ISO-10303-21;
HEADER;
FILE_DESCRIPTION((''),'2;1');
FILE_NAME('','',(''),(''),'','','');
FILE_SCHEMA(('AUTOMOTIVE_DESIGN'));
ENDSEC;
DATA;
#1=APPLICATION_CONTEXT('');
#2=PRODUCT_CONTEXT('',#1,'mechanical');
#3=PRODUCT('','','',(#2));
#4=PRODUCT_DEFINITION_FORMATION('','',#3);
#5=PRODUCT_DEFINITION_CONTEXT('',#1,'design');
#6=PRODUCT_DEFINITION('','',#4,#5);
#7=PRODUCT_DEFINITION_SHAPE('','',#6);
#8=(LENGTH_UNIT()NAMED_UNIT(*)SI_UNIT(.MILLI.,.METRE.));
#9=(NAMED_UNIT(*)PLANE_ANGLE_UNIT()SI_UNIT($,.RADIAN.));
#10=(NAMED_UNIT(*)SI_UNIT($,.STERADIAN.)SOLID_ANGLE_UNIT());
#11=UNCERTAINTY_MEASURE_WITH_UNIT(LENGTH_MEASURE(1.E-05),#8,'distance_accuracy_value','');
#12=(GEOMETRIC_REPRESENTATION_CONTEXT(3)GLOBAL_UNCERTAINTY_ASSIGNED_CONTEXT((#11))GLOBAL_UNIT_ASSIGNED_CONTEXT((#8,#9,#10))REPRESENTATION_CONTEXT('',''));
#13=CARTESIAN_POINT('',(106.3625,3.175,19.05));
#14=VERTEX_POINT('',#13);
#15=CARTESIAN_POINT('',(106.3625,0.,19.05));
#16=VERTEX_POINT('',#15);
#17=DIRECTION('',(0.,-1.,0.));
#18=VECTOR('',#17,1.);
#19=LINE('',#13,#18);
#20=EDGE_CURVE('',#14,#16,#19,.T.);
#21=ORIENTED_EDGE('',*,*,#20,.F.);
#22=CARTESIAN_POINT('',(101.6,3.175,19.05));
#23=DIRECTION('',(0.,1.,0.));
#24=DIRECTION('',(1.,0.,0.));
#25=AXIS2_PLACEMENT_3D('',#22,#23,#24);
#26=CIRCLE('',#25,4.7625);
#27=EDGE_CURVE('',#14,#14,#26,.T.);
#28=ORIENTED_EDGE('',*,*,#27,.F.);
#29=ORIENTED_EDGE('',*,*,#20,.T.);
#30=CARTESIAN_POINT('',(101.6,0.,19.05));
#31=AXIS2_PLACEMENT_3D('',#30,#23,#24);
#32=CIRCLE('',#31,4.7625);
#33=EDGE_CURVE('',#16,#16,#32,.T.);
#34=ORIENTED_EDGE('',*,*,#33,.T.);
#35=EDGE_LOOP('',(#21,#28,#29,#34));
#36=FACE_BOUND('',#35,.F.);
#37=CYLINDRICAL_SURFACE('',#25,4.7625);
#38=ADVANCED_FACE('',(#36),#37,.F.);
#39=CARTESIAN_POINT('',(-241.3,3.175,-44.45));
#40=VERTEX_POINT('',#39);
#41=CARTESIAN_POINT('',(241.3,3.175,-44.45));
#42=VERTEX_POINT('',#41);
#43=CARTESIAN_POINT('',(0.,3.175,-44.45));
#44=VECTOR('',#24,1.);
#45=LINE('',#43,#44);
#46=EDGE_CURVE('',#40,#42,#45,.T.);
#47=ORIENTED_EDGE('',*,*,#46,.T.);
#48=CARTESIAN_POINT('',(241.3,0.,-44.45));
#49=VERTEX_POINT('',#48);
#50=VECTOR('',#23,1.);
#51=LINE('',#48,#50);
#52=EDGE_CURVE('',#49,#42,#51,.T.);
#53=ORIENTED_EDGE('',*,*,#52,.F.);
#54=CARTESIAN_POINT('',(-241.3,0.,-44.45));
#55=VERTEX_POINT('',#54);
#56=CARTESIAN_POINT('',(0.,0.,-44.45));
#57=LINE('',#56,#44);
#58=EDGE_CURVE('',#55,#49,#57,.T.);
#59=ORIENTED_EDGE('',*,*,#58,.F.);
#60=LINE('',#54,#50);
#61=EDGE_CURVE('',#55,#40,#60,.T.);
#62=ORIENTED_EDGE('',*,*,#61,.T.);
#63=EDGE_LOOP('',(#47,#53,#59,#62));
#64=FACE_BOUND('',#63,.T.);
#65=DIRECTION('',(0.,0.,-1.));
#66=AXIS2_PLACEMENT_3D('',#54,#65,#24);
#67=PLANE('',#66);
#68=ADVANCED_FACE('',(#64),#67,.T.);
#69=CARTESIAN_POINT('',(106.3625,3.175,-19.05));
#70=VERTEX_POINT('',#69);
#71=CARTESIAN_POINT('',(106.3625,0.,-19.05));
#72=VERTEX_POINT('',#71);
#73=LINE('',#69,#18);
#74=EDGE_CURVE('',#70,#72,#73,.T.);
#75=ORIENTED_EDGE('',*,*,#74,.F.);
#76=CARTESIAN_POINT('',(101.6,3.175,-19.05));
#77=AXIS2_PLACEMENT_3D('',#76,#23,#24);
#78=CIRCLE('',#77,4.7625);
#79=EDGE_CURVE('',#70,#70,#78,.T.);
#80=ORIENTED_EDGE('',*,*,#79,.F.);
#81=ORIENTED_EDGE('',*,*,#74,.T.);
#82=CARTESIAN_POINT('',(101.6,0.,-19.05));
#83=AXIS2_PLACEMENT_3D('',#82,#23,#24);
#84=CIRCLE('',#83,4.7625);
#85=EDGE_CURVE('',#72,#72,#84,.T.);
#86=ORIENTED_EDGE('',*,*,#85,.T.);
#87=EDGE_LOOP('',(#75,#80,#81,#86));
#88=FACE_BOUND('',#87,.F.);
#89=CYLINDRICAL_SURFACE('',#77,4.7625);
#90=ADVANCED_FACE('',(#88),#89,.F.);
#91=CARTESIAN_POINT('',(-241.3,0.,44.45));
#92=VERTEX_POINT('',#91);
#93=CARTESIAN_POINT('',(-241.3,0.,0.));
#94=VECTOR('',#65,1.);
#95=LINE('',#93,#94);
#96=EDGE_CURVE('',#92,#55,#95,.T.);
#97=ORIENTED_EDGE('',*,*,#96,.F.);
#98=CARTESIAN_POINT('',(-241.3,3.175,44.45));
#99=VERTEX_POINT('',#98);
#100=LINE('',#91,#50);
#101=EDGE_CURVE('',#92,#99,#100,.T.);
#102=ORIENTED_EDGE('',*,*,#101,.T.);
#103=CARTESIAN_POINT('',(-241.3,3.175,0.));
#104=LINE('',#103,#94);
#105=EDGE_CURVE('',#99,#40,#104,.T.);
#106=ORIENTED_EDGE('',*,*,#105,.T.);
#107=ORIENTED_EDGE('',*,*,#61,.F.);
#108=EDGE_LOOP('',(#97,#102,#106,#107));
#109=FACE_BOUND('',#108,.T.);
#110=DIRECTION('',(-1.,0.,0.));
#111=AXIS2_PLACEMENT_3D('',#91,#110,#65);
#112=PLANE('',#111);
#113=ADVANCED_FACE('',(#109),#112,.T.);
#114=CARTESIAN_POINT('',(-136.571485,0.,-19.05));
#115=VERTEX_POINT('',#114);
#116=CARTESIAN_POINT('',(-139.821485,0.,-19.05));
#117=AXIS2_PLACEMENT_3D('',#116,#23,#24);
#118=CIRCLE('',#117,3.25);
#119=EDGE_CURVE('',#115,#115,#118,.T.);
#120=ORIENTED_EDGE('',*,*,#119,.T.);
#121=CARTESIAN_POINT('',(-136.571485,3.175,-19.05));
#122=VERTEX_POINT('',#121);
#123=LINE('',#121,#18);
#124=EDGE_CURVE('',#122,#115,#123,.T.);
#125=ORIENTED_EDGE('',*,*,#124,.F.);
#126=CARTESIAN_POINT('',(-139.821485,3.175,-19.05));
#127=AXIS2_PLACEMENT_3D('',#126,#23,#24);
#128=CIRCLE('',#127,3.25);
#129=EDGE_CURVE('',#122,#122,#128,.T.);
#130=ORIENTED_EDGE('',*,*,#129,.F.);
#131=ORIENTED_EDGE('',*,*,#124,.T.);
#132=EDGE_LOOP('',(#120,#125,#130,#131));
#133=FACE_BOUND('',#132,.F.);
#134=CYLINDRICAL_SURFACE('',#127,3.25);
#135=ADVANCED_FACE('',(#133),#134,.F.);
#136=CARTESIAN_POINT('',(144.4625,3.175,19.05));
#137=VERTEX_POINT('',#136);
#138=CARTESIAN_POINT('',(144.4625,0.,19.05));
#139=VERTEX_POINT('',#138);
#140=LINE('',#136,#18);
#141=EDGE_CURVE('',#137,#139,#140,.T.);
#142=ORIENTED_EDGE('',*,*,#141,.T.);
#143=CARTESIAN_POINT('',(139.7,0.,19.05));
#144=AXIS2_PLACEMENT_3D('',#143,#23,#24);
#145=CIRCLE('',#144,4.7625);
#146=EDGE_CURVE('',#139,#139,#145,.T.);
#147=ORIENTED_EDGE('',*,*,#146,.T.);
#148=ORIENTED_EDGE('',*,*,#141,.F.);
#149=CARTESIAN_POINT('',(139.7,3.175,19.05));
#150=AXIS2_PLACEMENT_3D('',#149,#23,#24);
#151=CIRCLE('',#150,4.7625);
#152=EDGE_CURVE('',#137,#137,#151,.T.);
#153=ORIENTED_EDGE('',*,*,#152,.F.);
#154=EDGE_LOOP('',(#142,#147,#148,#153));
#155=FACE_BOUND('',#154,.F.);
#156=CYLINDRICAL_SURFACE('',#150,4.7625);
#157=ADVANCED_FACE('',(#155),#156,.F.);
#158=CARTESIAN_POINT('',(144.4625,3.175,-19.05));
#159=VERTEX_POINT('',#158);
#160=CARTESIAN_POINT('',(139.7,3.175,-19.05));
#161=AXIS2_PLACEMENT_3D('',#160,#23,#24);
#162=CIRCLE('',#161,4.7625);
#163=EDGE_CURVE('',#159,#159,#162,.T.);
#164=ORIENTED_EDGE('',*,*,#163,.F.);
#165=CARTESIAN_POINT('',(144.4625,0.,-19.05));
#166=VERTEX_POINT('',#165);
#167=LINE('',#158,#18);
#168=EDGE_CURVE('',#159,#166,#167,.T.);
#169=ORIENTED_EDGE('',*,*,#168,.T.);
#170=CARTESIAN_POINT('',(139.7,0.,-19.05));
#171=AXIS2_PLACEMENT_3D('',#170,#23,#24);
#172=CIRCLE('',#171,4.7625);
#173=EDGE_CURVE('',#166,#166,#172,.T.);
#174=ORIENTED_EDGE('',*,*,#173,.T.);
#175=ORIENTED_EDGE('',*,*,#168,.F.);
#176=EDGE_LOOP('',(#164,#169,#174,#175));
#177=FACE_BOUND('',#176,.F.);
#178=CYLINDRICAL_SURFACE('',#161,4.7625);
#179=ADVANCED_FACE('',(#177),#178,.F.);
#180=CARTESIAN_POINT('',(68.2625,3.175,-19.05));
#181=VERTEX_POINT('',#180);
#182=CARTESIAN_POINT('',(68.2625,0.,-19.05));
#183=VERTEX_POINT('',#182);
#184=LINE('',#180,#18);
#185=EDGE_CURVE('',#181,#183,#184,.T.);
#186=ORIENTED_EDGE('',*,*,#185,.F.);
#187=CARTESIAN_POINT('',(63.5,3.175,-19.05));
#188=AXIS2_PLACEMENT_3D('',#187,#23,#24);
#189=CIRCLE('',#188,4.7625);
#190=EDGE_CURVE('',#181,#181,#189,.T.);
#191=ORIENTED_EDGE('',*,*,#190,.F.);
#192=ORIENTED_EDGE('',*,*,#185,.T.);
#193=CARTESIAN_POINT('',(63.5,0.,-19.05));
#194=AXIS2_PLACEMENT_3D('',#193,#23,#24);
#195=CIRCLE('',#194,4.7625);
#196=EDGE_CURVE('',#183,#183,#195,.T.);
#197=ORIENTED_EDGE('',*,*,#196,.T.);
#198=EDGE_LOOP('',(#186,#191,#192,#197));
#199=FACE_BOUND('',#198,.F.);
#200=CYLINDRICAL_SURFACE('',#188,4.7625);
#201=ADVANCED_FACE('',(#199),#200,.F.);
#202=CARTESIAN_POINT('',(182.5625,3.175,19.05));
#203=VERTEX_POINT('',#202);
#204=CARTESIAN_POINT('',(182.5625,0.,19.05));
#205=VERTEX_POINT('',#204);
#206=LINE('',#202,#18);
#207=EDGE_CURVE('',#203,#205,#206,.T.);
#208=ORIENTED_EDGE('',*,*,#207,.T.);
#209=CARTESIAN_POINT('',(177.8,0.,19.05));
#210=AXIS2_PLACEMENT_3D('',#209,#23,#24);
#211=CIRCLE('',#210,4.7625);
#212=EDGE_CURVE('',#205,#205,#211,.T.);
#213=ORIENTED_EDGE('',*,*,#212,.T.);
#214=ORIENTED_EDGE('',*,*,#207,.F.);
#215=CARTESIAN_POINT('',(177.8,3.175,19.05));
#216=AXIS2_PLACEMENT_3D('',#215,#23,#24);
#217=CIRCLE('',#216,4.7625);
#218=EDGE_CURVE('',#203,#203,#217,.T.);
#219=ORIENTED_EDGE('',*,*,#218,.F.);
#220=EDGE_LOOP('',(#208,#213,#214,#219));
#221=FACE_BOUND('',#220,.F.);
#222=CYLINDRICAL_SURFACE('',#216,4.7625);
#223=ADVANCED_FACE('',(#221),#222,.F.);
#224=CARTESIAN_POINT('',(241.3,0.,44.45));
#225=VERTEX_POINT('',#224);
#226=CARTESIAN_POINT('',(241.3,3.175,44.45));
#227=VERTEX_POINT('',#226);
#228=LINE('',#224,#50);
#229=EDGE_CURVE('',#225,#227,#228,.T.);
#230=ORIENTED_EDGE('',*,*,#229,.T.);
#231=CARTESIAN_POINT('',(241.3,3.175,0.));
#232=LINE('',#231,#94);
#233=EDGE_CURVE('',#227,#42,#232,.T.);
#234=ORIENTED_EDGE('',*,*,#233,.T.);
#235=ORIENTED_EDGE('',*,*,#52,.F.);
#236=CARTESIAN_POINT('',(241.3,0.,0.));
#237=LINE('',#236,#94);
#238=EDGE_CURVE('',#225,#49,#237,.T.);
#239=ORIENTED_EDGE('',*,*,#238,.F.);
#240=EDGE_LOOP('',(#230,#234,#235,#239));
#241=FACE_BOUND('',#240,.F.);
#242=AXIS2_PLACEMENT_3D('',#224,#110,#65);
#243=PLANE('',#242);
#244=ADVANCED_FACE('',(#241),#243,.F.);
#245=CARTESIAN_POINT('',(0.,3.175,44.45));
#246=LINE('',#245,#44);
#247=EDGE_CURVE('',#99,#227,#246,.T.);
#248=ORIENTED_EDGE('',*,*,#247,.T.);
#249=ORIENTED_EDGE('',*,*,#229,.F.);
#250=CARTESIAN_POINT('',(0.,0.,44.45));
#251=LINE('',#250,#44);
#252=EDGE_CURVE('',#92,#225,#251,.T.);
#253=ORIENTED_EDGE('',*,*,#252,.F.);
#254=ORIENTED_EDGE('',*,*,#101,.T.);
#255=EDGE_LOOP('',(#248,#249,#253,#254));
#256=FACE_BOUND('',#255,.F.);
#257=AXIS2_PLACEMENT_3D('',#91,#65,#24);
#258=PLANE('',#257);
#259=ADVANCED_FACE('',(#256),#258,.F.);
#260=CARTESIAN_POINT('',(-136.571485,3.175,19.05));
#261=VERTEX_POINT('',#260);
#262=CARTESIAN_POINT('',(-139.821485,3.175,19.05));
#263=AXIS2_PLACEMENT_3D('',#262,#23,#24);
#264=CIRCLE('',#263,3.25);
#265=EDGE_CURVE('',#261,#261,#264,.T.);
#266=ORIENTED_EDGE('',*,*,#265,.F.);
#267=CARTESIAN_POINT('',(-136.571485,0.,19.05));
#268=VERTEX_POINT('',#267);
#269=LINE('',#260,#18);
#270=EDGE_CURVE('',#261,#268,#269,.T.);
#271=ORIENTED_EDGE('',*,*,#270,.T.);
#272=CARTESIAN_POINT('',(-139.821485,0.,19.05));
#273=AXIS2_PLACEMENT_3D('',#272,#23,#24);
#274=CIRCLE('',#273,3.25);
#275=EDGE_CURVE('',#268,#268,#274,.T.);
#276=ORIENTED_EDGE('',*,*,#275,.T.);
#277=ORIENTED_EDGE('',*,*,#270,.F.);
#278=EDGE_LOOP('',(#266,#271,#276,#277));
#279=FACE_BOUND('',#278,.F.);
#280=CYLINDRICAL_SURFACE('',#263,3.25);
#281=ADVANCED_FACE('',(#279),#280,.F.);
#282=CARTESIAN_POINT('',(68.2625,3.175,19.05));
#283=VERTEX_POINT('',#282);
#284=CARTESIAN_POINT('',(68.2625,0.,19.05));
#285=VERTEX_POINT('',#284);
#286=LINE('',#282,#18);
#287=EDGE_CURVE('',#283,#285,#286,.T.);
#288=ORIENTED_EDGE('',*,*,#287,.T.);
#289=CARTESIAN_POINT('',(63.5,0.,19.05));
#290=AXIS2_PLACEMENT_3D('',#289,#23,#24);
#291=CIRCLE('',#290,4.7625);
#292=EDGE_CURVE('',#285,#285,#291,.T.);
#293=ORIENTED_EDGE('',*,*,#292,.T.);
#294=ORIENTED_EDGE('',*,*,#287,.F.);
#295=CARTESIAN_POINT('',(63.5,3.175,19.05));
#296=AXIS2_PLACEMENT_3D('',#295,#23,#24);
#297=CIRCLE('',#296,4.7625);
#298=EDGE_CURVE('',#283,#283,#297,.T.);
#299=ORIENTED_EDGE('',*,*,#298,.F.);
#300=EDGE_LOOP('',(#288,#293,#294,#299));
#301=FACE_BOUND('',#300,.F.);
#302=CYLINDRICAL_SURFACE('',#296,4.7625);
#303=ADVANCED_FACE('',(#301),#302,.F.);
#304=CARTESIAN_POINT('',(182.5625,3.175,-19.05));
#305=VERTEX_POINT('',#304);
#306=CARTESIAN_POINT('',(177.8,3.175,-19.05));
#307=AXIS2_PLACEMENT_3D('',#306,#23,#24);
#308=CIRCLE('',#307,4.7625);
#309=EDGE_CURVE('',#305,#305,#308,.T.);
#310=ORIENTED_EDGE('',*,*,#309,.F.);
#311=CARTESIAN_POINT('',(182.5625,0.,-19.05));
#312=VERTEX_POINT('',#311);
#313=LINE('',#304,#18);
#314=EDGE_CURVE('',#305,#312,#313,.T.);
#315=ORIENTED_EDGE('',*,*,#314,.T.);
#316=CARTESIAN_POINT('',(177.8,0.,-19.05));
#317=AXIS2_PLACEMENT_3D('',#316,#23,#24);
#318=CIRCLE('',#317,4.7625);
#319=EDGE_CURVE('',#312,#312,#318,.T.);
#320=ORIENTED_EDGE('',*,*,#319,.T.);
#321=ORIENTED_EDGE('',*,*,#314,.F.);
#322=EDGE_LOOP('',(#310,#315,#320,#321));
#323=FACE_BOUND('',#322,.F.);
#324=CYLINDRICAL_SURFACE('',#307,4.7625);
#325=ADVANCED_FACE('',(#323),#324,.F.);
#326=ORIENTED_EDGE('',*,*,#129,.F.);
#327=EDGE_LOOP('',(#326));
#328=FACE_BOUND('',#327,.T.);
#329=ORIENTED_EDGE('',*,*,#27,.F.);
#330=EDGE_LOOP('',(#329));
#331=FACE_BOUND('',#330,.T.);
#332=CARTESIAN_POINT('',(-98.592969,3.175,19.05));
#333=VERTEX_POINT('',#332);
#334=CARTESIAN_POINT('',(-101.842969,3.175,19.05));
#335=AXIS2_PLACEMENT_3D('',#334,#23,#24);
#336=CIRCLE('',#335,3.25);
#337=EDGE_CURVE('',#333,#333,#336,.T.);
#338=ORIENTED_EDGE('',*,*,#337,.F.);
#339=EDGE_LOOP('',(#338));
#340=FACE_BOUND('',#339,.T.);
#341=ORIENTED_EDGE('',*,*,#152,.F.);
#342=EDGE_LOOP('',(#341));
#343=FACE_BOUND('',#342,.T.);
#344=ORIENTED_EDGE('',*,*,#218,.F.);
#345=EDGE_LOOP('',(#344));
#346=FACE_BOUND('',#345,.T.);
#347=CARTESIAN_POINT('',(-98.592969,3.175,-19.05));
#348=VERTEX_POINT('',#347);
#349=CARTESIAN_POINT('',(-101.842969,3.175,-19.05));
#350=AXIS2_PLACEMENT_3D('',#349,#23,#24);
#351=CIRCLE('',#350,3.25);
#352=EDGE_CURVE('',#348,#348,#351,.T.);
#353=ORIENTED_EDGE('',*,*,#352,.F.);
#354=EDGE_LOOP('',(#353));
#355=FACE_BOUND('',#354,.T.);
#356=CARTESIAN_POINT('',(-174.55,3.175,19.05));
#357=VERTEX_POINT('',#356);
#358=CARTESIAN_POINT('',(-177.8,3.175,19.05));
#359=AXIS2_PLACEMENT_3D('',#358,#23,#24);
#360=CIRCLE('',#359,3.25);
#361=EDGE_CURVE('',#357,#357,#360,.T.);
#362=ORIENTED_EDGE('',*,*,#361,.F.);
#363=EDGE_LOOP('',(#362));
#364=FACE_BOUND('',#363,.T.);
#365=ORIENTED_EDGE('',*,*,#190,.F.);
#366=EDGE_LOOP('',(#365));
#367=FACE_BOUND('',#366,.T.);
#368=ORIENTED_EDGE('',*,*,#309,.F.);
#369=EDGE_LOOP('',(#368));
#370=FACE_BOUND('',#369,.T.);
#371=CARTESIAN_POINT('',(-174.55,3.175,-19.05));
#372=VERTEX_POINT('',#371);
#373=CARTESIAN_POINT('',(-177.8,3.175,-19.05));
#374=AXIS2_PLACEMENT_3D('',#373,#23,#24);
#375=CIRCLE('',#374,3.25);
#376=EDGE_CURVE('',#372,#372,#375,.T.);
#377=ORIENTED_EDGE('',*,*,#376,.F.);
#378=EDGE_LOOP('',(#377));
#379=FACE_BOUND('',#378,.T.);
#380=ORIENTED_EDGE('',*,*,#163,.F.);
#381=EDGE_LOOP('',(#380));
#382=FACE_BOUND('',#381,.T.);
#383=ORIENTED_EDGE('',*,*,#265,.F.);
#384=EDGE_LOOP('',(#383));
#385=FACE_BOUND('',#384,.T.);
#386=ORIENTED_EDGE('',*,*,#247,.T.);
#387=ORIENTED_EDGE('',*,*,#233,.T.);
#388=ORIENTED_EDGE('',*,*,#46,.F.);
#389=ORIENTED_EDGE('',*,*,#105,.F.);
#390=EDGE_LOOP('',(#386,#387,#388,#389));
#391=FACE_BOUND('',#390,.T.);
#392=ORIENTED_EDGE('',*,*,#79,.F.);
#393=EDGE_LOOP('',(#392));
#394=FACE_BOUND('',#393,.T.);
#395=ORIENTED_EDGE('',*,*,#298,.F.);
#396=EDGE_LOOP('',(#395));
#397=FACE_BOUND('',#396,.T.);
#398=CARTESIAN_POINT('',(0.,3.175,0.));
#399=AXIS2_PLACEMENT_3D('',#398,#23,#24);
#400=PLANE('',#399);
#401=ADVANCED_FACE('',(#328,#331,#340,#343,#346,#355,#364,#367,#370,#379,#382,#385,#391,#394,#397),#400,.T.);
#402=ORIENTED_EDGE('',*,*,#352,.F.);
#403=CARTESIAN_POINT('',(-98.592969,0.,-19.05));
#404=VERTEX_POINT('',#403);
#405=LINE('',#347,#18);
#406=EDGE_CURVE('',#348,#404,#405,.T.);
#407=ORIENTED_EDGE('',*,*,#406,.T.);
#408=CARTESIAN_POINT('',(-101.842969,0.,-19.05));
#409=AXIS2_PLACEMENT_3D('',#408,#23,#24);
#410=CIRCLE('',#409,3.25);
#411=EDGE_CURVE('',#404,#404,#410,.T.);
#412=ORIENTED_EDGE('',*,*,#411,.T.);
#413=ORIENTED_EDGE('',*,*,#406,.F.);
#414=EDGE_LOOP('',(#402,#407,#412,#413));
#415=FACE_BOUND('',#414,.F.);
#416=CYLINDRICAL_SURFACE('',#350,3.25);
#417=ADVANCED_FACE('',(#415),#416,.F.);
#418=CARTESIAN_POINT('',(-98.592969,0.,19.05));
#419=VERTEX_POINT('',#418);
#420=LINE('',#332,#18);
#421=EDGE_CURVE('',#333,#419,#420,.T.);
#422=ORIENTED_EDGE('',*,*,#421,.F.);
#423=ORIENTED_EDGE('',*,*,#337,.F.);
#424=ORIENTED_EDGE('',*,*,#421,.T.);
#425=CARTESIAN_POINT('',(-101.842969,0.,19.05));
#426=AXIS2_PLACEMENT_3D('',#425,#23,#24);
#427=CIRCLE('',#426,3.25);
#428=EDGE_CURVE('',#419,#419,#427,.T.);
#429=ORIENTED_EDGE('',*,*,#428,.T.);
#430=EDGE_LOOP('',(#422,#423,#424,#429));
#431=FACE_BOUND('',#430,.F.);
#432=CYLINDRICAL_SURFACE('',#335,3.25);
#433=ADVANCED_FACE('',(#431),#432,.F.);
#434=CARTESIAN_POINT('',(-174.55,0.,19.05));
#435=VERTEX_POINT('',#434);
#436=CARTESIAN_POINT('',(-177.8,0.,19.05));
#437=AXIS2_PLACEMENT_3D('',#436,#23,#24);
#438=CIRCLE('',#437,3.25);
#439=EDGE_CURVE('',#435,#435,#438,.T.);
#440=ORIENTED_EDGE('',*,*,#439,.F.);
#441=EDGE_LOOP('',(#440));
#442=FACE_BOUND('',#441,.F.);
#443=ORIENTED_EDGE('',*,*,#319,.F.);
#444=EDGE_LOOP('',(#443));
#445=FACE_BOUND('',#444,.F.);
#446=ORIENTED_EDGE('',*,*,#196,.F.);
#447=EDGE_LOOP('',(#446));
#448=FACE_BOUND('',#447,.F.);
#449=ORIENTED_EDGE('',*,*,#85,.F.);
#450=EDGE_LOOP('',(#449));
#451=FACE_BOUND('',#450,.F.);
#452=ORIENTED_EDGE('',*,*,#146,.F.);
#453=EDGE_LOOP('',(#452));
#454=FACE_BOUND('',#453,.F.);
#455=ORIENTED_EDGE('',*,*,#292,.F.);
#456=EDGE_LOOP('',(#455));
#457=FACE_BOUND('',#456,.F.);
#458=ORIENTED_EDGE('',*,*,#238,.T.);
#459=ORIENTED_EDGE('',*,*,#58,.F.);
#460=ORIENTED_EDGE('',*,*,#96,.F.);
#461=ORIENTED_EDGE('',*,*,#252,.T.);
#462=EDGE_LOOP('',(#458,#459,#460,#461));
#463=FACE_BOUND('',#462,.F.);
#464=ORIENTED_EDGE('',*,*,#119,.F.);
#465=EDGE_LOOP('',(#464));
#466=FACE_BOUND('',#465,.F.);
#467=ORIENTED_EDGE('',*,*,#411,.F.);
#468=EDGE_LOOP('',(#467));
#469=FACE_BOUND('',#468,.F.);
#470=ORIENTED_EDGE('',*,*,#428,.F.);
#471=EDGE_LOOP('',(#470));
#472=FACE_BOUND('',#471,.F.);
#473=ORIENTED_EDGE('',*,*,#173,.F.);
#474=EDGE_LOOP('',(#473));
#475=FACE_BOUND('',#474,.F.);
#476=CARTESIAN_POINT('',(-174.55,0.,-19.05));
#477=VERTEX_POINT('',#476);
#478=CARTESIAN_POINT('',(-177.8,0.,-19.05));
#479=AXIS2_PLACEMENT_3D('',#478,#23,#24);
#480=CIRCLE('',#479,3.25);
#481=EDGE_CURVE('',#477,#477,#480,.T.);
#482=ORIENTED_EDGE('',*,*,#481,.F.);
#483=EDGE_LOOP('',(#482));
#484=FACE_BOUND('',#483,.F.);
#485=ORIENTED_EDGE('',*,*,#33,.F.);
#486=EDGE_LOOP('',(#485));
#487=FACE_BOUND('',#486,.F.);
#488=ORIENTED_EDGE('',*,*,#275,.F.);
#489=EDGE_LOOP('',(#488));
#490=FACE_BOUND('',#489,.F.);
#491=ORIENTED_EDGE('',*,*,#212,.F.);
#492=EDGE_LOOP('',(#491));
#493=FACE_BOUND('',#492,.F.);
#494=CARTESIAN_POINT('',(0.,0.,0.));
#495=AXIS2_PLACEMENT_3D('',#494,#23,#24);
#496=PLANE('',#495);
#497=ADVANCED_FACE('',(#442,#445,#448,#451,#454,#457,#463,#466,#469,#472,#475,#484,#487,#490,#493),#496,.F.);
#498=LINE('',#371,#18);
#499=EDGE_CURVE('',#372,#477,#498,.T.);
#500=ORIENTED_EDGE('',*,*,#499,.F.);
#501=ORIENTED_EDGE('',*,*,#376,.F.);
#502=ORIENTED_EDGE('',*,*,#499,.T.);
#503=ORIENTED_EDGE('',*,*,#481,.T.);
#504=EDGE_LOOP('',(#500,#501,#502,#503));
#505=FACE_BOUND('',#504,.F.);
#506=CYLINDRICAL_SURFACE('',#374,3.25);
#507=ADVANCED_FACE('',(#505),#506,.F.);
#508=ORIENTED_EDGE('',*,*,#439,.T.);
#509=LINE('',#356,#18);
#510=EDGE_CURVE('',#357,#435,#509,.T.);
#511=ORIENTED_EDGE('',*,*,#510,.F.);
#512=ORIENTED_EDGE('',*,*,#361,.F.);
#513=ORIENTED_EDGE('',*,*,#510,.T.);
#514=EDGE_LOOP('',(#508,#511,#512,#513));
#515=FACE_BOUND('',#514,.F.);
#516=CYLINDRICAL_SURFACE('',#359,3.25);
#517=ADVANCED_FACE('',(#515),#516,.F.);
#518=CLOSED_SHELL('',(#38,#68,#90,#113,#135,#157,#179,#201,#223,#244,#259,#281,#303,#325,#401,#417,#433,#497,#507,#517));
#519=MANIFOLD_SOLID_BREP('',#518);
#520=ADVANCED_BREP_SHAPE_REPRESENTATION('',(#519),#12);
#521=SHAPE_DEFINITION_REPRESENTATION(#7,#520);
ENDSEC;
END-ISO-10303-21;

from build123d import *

# Parameters (mm, degrees)
SKETCH1_W           = 482.6
SKETCH1_H           = 88.9
BOSS_EXTRUDE1_DEPTH = 3.175
SKETCH2_R           = 3.25
SKETCH2_R_2         = 4.7625
CUT_EXTRUDE1_DEPTH  = 3.175


with BuildPart() as part:
    # Sketch1 → Boss-Extrude1 (new body)
    with BuildSketch(Plane(origin=(0, 0, 0), x_dir=(1, 0, 0), z_dir=(0, 1, 0))):
        Rectangle(SKETCH1_W, SKETCH1_H)
    extrude(amount=BOSS_EXTRUDE1_DEPTH)

    # Sketch2 → Cut-Extrude1 (cut)
    with BuildSketch(Plane(origin=(0, 3.175, 0), x_dir=(1, 0, 0), z_dir=(0, 1, 0))):
        with Locations((-101.842969122, -19.05)):
            Circle(SKETCH2_R)
        with Locations((-139.821484561, -19.05)):
            Circle(SKETCH2_R)
        with Locations((-177.8, -19.05)):
            Circle(SKETCH2_R)
        with Locations((-139.821484561, 19.05)):
            Circle(SKETCH2_R)
        with Locations((-177.8, 19.05)):
            Circle(SKETCH2_R)
        with Locations((-101.842969122, 19.05)):
            Circle(SKETCH2_R)
        with Locations((177.8, -19.05)):
            Circle(SKETCH2_R_2)
        with Locations((139.7, -19.05)):
            Circle(SKETCH2_R_2)
        with Locations((101.6, -19.05)):
            Circle(SKETCH2_R_2)
        with Locations((63.5, -19.05)):
            Circle(SKETCH2_R_2)
        with Locations((139.7, 19.05)):
            Circle(SKETCH2_R_2)
        with Locations((101.6, 19.05)):
            Circle(SKETCH2_R_2)
        with Locations((63.5, 19.05)):
            Circle(SKETCH2_R_2)
        with Locations((177.8, 19.05)):
            Circle(SKETCH2_R_2)
    extrude(amount=-CUT_EXTRUDE1_DEPTH, mode=Mode.SUBTRACT)


solid = part.part
